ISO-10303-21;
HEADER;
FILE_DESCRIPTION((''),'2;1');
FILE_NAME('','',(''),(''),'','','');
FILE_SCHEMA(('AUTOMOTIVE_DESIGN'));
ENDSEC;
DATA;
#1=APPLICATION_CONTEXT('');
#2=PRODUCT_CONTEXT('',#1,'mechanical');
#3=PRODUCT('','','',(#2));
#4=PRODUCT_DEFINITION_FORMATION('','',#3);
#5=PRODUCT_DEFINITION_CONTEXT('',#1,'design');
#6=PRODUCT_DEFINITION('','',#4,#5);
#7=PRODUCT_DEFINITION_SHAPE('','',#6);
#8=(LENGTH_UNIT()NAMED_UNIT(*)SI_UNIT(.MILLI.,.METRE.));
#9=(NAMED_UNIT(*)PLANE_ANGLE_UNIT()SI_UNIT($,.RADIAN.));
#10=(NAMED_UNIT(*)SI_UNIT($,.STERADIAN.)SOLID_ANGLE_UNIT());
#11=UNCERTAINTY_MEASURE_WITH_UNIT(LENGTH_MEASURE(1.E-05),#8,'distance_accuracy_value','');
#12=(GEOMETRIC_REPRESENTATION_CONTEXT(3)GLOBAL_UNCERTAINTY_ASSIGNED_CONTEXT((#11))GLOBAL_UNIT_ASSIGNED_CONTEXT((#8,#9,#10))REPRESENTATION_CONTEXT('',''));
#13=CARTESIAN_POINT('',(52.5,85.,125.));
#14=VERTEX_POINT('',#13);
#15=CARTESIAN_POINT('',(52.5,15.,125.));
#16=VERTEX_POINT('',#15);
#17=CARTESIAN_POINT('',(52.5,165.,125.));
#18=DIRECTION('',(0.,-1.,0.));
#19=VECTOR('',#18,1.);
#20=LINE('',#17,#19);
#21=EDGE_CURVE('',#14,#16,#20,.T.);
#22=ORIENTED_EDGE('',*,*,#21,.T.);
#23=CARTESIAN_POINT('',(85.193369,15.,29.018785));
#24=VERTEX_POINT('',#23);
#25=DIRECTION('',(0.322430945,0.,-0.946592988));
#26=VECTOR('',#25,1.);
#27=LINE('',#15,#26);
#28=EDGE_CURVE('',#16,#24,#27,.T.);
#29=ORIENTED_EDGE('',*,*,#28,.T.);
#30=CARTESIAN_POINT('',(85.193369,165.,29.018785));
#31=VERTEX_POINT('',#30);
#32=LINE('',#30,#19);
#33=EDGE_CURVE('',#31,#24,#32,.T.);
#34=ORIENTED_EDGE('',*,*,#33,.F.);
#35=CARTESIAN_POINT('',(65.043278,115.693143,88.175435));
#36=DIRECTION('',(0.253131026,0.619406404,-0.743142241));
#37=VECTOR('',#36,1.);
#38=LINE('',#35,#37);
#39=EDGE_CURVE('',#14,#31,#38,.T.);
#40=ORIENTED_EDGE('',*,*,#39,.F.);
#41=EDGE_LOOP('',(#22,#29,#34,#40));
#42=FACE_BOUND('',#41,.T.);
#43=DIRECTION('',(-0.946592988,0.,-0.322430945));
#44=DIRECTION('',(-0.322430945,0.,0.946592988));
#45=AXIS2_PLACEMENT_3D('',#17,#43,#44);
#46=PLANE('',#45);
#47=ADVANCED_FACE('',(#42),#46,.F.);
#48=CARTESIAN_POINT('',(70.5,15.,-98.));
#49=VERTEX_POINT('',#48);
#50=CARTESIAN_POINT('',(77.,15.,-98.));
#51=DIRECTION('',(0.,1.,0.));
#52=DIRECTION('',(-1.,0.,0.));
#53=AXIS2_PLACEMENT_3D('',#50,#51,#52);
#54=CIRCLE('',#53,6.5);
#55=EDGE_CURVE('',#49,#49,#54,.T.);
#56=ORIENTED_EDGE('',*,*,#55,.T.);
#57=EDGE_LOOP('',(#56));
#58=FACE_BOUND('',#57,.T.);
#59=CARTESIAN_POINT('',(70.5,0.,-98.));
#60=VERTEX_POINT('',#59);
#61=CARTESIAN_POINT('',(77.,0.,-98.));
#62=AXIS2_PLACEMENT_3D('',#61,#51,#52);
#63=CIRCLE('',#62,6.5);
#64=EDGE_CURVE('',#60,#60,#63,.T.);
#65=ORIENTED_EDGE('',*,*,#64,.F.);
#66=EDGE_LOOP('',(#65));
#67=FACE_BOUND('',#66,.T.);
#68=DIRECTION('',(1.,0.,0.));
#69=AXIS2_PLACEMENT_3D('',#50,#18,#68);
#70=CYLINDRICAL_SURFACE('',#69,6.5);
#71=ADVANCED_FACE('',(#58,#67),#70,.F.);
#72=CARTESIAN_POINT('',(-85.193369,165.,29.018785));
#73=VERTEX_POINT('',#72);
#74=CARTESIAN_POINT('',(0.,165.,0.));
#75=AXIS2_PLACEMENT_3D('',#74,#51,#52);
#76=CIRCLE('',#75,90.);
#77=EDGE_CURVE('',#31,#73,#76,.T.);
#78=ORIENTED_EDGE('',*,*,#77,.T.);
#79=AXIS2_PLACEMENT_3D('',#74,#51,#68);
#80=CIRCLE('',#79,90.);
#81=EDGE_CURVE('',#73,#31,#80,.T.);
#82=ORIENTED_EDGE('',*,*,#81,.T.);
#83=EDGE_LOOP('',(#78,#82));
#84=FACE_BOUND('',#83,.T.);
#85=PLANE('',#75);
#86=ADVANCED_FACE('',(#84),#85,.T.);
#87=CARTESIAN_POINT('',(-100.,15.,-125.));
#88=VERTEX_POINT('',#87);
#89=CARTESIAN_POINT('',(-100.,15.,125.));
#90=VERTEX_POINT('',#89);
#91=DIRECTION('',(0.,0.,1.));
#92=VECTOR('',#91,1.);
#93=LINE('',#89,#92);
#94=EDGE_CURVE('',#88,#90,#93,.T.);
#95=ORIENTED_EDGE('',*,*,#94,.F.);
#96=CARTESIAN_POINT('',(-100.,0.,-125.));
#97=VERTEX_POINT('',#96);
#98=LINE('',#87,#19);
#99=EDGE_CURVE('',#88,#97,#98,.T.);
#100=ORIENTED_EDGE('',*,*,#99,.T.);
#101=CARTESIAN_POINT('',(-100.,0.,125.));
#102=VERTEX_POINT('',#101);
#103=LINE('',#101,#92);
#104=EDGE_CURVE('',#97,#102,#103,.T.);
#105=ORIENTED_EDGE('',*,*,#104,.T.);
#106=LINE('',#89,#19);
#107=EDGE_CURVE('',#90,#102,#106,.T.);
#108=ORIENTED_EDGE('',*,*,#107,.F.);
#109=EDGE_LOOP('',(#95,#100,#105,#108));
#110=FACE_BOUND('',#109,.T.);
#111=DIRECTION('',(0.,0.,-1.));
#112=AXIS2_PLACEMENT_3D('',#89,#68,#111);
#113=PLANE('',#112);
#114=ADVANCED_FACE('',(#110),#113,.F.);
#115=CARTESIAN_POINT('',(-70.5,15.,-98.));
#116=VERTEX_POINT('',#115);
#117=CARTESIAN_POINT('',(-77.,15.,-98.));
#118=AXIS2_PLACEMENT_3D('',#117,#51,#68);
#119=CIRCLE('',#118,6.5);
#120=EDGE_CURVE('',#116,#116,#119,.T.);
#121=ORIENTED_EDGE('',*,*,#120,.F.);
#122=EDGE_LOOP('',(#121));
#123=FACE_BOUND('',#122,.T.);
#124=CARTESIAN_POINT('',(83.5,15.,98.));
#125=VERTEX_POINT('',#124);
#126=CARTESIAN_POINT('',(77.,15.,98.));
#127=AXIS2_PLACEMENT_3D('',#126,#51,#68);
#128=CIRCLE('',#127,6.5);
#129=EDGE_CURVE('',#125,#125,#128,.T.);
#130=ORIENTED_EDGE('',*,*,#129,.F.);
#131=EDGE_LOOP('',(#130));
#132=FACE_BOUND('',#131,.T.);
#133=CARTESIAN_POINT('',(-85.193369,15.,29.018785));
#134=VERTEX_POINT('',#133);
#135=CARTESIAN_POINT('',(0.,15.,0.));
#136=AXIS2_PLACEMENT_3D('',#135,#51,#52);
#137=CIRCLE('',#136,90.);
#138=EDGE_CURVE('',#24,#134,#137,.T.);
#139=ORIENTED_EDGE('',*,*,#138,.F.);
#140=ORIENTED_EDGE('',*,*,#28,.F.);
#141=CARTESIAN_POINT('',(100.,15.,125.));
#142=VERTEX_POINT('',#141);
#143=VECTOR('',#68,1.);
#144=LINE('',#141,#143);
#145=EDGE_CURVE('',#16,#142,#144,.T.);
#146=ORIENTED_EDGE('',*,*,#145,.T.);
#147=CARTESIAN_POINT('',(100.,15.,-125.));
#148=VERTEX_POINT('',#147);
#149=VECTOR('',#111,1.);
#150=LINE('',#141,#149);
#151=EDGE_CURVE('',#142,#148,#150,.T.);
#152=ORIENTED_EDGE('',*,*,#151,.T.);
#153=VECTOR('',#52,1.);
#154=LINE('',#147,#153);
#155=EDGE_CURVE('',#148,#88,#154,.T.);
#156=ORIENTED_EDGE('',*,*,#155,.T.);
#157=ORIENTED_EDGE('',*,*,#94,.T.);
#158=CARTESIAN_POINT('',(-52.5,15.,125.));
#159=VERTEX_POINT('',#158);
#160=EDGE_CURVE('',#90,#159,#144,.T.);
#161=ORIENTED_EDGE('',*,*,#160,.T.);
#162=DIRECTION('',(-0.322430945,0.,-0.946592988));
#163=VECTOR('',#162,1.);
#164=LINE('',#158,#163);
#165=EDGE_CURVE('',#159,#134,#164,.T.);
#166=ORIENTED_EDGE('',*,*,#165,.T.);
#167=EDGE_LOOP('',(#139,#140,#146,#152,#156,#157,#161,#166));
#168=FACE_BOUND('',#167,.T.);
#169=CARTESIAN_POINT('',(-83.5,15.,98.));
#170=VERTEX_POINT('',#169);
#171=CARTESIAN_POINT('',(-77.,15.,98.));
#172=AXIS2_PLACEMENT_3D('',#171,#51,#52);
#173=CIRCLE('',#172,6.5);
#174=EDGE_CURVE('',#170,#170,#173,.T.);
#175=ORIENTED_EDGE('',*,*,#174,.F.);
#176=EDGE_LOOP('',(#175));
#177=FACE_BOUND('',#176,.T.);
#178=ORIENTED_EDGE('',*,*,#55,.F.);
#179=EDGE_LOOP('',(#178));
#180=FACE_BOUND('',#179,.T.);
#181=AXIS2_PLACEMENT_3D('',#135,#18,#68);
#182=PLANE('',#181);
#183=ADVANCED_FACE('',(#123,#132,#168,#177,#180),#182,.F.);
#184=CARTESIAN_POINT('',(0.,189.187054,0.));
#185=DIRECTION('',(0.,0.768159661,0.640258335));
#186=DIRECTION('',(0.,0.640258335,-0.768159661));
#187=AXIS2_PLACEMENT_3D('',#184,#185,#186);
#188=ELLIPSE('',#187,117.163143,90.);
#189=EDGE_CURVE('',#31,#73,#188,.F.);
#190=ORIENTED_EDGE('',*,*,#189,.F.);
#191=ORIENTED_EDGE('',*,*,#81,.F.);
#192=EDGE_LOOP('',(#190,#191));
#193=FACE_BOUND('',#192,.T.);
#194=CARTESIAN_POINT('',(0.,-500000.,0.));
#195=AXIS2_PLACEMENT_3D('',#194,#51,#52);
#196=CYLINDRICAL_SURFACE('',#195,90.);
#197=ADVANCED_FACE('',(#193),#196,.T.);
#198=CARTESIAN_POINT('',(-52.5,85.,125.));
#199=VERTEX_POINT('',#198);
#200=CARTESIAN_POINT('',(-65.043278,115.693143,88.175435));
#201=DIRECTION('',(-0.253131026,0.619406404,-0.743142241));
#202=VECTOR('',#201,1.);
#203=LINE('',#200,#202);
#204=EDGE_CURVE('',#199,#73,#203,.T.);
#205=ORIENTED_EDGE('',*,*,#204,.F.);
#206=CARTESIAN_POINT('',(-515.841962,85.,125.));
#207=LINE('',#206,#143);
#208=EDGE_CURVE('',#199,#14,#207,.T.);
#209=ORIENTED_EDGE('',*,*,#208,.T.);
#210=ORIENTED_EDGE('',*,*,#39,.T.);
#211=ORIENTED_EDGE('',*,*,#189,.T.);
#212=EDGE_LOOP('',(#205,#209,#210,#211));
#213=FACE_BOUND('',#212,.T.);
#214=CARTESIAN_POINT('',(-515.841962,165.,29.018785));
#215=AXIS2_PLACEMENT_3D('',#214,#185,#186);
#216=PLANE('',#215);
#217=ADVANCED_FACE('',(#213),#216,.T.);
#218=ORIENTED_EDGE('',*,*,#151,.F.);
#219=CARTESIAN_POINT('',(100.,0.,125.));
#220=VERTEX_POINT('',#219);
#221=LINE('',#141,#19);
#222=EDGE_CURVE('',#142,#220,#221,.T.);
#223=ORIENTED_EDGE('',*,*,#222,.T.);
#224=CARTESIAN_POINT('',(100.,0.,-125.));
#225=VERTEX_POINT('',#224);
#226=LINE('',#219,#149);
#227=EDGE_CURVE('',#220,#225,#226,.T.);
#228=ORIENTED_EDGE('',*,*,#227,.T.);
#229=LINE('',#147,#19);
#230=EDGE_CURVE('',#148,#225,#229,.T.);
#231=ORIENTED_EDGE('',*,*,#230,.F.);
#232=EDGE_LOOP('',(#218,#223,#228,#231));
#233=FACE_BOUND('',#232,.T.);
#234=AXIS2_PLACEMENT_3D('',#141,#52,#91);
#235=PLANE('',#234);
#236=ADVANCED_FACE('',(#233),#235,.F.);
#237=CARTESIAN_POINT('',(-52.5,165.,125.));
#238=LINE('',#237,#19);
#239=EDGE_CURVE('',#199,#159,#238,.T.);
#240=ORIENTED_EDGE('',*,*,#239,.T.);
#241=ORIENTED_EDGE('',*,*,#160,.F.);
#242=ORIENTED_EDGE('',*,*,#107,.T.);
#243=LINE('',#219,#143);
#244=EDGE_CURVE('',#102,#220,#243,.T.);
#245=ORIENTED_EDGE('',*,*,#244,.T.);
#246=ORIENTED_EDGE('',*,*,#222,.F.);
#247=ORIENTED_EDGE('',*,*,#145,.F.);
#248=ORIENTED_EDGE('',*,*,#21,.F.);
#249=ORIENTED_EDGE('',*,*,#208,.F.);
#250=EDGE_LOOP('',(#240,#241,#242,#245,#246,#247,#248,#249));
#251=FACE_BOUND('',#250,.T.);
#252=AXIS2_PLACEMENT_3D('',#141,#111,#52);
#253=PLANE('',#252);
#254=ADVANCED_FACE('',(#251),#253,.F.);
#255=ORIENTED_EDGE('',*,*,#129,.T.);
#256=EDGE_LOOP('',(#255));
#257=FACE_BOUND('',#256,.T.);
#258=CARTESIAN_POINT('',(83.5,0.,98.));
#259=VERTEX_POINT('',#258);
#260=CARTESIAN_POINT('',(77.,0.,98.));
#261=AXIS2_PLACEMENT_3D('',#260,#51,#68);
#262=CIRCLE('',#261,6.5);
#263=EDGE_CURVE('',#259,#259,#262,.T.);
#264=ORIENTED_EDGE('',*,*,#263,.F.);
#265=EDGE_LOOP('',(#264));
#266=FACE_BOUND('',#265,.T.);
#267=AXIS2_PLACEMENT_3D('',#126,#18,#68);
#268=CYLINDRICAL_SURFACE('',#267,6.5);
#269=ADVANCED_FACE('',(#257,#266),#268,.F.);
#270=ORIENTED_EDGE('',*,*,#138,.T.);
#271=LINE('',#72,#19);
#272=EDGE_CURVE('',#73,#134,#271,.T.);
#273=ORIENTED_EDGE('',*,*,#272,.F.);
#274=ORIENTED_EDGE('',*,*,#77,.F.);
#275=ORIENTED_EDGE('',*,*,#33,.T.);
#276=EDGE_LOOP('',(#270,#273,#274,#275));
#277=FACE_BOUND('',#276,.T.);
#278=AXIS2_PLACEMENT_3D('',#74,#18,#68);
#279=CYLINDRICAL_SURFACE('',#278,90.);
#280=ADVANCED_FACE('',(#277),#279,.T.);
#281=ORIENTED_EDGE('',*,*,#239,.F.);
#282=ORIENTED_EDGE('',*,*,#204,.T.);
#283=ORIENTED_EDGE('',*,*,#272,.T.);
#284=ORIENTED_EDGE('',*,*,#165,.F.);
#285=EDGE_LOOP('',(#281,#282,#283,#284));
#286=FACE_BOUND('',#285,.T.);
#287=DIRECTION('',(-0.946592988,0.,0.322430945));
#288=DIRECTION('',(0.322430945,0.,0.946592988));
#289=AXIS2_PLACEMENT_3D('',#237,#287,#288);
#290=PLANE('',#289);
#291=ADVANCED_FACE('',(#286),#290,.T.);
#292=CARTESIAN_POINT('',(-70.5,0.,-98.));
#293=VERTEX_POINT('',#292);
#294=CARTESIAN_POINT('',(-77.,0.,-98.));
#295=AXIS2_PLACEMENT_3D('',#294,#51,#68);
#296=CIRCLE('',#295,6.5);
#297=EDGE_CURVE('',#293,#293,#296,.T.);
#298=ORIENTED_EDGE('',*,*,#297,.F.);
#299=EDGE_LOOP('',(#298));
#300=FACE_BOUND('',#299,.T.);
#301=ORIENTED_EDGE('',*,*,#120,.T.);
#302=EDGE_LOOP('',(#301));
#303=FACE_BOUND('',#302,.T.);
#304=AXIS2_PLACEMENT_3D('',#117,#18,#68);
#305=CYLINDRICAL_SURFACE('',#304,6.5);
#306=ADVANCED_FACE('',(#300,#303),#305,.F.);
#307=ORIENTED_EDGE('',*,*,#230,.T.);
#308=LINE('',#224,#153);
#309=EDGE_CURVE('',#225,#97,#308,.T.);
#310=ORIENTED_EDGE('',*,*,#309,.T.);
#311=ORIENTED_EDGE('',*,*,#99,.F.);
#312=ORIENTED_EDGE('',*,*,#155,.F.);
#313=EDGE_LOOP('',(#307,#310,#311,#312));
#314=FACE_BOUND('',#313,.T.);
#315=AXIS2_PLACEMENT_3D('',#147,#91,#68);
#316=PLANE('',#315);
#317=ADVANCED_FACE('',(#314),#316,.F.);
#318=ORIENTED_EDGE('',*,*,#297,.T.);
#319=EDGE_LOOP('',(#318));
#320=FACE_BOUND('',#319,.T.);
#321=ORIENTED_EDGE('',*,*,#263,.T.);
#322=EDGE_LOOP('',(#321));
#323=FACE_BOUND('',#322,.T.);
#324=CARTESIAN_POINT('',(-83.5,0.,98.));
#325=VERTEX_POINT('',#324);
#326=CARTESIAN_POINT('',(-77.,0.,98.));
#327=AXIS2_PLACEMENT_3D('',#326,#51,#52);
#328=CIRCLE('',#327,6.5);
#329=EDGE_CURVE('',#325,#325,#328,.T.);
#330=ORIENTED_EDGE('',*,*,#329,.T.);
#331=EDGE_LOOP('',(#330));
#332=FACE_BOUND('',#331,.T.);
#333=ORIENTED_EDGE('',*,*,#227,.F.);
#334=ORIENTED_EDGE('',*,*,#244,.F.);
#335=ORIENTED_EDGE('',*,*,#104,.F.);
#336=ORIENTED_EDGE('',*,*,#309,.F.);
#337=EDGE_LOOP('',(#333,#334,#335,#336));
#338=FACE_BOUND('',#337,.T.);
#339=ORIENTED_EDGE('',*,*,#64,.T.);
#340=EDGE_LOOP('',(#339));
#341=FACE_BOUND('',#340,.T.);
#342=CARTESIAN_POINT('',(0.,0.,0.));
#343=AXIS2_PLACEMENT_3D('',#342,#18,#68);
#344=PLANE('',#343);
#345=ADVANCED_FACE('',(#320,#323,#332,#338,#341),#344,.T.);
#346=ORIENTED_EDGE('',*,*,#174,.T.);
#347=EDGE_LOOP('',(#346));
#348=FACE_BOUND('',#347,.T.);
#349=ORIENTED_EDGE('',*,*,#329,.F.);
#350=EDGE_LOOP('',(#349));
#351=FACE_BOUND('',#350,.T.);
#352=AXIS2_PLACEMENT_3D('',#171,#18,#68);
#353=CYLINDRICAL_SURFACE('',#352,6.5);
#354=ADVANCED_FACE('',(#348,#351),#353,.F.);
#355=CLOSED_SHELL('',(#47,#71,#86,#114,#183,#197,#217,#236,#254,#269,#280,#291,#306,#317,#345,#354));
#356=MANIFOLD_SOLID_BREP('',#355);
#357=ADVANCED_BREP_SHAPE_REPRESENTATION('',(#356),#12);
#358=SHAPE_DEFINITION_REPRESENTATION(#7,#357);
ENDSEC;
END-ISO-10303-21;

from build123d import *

# Parameters (mm, degrees)
SKETCH1_W               = 250
SKETCH1_H               = 200
SKETCH1_R               = 6.5
BOSS_EXTRUDE1_DEPTH     = 15
BOSS_EXTRUDE2_DEPTH     = 150
CUT_EXTRUDE1_DEPTH      = 101
CUT_EXTRUDE1_DEPTH_BACK = 101
BOSS_EXTRUDE3_REACH     = 167
BODY_MOVE_COPY1_ANGLE   = 90


with BuildPart() as part:
    # Sketch1 → Boss-Extrude1 (new body)
    with BuildSketch(Plane(origin=(0, 0, 0), x_dir=(1, 0, 0), z_dir=(0, 1, 0))):
        Rectangle(SKETCH1_W, SKETCH1_H)
        with Locations((-98, 77)):
            Circle(SKETCH1_R, mode=Mode.SUBTRACT)
        with Locations((98, 77)):
            Circle(SKETCH1_R, mode=Mode.SUBTRACT)
        with Locations((-98, -77)):
            Circle(SKETCH1_R, mode=Mode.SUBTRACT)
        with Locations((98, -77)):
            Circle(SKETCH1_R, mode=Mode.SUBTRACT)
    extrude(amount=BOSS_EXTRUDE1_DEPTH)

    # Sketch2 → Boss-Extrude2 (add)
    with BuildSketch(Plane(origin=(0, 15, 0), x_dir=(1, 0, 0), z_dir=(0, 1, 0))):
        with BuildLine():
            Line((125, 52.5), (29.018785036, 85.193368962))
            ThreePointArc((29.018785036, 85.193368962), (-90, 0), (29.018785036, -85.193368962))
            Line((29.018785036, -85.193368962), (125, -52.5))
            Line((125, -52.5), (125, 52.5))
        make_face()
    extrude(amount=BOSS_EXTRUDE2_DEPTH)

    # Sketch3 → Cut-Extrude1 (cut, two sides)
    with BuildSketch(Plane.XY) as cut_extrude1_sk:
        Polygon((-384.335484925, 509.529308254), (29.018785036, 165), (125, 85), (538.354269961, -259.529308254), (1227.412886469, 567.179231668), (304.723131583, 1336.237848176), align=None)
    extrude(amount=CUT_EXTRUDE1_DEPTH, mode=Mode.SUBTRACT)
    extrude(cut_extrude1_sk.sketch, amount=-CUT_EXTRUDE1_DEPTH_BACK, mode=Mode.SUBTRACT)

    # Sketch4 → Boss-Extrude3 (add, up to next)
    with BuildSketch(Plane(origin=(0, 165, 0), x_dir=(1, 0, 0), z_dir=(0, 1, 0)), mode=Mode.PRIVATE) as boss_extrude3_sk1:
        with BuildLine():
            Line((29.018785036, -85.193368962), (29.018785036, 85.193368962))
            ThreePointArc((29.018785036, 85.193368962), (90, 0), (29.018785036, -85.193368962))
        make_face()
    boss_extrude3_tool1 = extrude(boss_extrude3_sk1.sketch, amount=-BOSS_EXTRUDE3_REACH, mode=Mode.PRIVATE) - part.part
    add(boss_extrude3_tool1.solids().sort_by_distance((54.295969, 165, 0))[0])


with BuildPart() as part_1:
    # Body-Move/Copy1: moved
    add(part.part.rotate(Axis((0, 0, 0), (0, -1, 0)), BODY_MOVE_COPY1_ANGLE))


solid = part_1.part
